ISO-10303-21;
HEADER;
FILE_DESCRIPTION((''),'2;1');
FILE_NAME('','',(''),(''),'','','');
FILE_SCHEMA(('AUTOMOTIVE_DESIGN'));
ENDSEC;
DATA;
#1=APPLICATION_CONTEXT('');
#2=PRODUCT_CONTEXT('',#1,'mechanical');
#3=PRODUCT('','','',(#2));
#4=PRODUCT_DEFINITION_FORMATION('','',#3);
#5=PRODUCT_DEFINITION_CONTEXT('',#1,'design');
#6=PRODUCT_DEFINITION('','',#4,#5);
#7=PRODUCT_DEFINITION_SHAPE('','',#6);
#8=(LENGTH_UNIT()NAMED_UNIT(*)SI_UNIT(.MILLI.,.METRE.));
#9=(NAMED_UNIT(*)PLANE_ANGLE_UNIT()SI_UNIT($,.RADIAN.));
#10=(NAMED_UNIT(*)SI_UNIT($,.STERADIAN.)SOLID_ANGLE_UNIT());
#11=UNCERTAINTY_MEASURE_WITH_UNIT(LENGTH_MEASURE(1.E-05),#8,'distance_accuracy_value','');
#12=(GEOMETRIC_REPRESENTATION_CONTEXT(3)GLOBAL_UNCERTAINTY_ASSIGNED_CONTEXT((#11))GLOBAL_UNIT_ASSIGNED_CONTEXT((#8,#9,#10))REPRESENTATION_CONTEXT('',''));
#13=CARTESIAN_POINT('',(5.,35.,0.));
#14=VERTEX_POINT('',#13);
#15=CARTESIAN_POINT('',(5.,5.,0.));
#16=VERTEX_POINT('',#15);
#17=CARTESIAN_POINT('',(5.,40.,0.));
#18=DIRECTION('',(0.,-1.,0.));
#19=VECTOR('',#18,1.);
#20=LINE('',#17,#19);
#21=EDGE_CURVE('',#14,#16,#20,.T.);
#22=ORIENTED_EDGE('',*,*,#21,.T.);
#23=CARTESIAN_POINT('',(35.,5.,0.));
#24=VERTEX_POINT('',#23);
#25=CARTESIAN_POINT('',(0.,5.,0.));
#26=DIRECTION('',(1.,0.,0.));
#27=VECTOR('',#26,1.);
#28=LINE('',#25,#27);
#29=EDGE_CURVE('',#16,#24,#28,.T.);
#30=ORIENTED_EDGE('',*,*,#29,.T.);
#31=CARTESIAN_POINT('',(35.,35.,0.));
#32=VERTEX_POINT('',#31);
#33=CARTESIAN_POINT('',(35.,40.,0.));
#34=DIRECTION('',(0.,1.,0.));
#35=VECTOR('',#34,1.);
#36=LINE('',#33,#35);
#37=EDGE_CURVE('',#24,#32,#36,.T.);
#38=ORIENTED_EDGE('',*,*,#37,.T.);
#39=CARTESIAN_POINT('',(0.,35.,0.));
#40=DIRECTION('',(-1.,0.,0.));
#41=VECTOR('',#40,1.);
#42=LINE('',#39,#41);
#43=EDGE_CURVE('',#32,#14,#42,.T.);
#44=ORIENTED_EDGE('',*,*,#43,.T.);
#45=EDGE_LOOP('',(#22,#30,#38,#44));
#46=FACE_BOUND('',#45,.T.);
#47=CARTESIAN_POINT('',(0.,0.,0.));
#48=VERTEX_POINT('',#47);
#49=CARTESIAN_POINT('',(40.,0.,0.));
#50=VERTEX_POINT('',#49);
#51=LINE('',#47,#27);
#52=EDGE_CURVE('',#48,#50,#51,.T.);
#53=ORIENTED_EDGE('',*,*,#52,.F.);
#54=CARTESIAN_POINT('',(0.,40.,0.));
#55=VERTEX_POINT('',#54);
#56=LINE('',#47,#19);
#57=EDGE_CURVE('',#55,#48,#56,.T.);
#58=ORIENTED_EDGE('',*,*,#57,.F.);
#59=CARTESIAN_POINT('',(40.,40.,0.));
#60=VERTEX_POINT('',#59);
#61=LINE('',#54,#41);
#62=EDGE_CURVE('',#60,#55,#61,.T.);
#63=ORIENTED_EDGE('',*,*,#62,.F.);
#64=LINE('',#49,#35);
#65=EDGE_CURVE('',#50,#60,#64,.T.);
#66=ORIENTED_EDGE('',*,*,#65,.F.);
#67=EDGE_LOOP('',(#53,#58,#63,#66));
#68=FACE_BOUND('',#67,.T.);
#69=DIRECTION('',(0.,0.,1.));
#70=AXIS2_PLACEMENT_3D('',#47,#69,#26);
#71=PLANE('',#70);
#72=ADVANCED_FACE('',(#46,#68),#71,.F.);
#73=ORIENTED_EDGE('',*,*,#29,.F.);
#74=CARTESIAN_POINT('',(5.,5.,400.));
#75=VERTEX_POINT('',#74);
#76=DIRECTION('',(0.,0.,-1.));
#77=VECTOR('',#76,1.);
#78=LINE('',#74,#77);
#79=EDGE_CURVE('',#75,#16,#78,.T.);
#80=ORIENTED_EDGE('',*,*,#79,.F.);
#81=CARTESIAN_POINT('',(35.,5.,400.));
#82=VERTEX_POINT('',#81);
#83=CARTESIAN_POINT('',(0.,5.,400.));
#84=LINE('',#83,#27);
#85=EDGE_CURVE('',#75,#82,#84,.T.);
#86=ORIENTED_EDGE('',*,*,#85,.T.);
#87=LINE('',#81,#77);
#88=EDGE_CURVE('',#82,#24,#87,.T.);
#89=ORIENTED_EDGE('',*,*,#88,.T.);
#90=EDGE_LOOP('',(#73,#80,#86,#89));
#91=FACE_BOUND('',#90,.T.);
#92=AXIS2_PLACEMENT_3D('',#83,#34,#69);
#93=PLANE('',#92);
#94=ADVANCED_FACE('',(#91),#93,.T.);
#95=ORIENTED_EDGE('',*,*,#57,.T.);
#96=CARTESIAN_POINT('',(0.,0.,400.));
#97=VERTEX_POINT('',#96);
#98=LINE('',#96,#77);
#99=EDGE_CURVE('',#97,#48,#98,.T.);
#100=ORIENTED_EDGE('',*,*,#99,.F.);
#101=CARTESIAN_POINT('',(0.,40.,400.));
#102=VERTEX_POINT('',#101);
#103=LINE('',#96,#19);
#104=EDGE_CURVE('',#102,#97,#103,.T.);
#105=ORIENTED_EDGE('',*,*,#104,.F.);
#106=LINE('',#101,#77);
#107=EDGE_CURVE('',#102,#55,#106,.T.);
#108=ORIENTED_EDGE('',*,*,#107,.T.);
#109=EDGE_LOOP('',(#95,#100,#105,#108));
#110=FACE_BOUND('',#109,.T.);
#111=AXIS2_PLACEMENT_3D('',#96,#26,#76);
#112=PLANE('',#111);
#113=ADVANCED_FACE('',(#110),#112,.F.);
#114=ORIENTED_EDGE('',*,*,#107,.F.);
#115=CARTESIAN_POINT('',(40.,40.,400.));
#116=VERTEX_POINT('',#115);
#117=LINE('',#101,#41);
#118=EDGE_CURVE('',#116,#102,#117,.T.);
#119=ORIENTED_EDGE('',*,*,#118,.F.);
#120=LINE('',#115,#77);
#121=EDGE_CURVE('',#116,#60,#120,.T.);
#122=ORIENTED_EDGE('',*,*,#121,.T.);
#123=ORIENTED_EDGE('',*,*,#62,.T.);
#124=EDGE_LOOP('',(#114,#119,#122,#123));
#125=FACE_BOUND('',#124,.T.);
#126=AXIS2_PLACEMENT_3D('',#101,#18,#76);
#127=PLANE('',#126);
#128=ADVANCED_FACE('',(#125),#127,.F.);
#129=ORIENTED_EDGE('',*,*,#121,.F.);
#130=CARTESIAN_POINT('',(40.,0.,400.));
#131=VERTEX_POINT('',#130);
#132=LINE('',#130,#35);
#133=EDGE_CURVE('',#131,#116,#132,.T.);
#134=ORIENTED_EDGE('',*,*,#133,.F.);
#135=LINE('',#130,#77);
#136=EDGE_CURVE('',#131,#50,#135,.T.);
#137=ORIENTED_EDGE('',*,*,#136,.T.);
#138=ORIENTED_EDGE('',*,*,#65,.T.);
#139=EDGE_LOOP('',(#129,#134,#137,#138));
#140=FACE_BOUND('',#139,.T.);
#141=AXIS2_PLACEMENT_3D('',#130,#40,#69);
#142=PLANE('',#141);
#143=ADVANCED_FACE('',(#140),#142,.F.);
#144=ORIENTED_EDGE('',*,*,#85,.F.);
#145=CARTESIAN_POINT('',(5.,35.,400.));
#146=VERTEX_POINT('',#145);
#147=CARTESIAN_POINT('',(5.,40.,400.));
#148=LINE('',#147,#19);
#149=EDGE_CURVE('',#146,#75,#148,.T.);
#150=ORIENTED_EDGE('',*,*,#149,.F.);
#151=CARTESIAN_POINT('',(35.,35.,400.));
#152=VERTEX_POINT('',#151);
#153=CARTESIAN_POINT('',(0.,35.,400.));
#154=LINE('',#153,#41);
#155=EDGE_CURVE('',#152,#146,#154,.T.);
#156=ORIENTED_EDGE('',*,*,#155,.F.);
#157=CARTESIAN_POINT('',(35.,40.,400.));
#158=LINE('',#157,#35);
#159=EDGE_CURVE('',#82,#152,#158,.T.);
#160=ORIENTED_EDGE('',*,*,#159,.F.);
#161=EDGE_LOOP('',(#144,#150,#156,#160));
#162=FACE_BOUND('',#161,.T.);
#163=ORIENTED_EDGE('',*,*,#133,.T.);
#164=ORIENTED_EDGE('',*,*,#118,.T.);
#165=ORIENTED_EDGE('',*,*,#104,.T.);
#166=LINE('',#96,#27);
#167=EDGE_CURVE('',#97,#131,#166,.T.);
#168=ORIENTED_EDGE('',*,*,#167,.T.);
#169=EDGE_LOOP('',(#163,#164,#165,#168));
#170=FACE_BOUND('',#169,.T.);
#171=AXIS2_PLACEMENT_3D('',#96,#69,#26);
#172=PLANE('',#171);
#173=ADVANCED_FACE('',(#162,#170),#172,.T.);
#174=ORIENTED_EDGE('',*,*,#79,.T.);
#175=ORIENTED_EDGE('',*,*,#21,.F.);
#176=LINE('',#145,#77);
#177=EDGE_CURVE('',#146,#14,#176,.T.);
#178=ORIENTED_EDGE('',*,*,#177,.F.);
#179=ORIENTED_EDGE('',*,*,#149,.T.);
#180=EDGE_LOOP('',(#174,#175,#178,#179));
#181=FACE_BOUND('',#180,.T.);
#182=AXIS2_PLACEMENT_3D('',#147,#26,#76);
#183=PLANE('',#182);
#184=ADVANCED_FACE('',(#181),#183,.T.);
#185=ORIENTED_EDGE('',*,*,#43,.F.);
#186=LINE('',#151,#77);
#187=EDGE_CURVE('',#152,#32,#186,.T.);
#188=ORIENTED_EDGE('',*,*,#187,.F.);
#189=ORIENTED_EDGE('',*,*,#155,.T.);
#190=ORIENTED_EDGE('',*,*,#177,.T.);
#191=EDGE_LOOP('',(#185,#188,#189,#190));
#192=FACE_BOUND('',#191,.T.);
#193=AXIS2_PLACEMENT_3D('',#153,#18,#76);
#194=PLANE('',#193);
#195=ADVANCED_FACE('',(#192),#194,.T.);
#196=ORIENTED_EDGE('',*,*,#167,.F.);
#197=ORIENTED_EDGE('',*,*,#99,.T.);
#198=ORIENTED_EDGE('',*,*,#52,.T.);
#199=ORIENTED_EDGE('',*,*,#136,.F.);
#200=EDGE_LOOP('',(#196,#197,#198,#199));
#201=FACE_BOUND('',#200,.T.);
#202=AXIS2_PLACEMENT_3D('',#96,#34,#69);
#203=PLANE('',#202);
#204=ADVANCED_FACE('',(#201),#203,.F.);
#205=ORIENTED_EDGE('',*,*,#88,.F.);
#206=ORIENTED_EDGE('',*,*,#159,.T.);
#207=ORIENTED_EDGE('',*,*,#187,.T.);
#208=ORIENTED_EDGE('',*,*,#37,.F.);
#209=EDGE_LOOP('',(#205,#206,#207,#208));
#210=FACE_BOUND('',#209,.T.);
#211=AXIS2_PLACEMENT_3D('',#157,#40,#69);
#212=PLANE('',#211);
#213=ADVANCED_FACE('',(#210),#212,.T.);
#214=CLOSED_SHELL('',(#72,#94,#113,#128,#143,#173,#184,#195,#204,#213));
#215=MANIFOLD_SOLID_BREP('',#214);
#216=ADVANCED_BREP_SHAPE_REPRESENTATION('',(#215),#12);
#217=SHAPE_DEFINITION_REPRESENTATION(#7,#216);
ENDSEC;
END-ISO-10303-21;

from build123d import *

# Parameters (mm, degrees)
SKETCH_1_W      = 40
SKETCH_1_H      = 40
SKETCH_1_W_2    = 30
SKETCH_1_H_2    = 30
EXTRUDE_1_DEPTH = 400


with BuildPart() as part:
    # Эскиз1 → Вытянуть-Тонкостенный1 (new body)
    with BuildSketch(Plane.XY):
        with Locations((20, 20)):
            Rectangle(SKETCH_1_W, SKETCH_1_H)
        with Locations((20, 20)):
            Rectangle(SKETCH_1_W_2, SKETCH_1_H_2, mode=Mode.SUBTRACT)
    extrude(amount=EXTRUDE_1_DEPTH)


solid = part.part
